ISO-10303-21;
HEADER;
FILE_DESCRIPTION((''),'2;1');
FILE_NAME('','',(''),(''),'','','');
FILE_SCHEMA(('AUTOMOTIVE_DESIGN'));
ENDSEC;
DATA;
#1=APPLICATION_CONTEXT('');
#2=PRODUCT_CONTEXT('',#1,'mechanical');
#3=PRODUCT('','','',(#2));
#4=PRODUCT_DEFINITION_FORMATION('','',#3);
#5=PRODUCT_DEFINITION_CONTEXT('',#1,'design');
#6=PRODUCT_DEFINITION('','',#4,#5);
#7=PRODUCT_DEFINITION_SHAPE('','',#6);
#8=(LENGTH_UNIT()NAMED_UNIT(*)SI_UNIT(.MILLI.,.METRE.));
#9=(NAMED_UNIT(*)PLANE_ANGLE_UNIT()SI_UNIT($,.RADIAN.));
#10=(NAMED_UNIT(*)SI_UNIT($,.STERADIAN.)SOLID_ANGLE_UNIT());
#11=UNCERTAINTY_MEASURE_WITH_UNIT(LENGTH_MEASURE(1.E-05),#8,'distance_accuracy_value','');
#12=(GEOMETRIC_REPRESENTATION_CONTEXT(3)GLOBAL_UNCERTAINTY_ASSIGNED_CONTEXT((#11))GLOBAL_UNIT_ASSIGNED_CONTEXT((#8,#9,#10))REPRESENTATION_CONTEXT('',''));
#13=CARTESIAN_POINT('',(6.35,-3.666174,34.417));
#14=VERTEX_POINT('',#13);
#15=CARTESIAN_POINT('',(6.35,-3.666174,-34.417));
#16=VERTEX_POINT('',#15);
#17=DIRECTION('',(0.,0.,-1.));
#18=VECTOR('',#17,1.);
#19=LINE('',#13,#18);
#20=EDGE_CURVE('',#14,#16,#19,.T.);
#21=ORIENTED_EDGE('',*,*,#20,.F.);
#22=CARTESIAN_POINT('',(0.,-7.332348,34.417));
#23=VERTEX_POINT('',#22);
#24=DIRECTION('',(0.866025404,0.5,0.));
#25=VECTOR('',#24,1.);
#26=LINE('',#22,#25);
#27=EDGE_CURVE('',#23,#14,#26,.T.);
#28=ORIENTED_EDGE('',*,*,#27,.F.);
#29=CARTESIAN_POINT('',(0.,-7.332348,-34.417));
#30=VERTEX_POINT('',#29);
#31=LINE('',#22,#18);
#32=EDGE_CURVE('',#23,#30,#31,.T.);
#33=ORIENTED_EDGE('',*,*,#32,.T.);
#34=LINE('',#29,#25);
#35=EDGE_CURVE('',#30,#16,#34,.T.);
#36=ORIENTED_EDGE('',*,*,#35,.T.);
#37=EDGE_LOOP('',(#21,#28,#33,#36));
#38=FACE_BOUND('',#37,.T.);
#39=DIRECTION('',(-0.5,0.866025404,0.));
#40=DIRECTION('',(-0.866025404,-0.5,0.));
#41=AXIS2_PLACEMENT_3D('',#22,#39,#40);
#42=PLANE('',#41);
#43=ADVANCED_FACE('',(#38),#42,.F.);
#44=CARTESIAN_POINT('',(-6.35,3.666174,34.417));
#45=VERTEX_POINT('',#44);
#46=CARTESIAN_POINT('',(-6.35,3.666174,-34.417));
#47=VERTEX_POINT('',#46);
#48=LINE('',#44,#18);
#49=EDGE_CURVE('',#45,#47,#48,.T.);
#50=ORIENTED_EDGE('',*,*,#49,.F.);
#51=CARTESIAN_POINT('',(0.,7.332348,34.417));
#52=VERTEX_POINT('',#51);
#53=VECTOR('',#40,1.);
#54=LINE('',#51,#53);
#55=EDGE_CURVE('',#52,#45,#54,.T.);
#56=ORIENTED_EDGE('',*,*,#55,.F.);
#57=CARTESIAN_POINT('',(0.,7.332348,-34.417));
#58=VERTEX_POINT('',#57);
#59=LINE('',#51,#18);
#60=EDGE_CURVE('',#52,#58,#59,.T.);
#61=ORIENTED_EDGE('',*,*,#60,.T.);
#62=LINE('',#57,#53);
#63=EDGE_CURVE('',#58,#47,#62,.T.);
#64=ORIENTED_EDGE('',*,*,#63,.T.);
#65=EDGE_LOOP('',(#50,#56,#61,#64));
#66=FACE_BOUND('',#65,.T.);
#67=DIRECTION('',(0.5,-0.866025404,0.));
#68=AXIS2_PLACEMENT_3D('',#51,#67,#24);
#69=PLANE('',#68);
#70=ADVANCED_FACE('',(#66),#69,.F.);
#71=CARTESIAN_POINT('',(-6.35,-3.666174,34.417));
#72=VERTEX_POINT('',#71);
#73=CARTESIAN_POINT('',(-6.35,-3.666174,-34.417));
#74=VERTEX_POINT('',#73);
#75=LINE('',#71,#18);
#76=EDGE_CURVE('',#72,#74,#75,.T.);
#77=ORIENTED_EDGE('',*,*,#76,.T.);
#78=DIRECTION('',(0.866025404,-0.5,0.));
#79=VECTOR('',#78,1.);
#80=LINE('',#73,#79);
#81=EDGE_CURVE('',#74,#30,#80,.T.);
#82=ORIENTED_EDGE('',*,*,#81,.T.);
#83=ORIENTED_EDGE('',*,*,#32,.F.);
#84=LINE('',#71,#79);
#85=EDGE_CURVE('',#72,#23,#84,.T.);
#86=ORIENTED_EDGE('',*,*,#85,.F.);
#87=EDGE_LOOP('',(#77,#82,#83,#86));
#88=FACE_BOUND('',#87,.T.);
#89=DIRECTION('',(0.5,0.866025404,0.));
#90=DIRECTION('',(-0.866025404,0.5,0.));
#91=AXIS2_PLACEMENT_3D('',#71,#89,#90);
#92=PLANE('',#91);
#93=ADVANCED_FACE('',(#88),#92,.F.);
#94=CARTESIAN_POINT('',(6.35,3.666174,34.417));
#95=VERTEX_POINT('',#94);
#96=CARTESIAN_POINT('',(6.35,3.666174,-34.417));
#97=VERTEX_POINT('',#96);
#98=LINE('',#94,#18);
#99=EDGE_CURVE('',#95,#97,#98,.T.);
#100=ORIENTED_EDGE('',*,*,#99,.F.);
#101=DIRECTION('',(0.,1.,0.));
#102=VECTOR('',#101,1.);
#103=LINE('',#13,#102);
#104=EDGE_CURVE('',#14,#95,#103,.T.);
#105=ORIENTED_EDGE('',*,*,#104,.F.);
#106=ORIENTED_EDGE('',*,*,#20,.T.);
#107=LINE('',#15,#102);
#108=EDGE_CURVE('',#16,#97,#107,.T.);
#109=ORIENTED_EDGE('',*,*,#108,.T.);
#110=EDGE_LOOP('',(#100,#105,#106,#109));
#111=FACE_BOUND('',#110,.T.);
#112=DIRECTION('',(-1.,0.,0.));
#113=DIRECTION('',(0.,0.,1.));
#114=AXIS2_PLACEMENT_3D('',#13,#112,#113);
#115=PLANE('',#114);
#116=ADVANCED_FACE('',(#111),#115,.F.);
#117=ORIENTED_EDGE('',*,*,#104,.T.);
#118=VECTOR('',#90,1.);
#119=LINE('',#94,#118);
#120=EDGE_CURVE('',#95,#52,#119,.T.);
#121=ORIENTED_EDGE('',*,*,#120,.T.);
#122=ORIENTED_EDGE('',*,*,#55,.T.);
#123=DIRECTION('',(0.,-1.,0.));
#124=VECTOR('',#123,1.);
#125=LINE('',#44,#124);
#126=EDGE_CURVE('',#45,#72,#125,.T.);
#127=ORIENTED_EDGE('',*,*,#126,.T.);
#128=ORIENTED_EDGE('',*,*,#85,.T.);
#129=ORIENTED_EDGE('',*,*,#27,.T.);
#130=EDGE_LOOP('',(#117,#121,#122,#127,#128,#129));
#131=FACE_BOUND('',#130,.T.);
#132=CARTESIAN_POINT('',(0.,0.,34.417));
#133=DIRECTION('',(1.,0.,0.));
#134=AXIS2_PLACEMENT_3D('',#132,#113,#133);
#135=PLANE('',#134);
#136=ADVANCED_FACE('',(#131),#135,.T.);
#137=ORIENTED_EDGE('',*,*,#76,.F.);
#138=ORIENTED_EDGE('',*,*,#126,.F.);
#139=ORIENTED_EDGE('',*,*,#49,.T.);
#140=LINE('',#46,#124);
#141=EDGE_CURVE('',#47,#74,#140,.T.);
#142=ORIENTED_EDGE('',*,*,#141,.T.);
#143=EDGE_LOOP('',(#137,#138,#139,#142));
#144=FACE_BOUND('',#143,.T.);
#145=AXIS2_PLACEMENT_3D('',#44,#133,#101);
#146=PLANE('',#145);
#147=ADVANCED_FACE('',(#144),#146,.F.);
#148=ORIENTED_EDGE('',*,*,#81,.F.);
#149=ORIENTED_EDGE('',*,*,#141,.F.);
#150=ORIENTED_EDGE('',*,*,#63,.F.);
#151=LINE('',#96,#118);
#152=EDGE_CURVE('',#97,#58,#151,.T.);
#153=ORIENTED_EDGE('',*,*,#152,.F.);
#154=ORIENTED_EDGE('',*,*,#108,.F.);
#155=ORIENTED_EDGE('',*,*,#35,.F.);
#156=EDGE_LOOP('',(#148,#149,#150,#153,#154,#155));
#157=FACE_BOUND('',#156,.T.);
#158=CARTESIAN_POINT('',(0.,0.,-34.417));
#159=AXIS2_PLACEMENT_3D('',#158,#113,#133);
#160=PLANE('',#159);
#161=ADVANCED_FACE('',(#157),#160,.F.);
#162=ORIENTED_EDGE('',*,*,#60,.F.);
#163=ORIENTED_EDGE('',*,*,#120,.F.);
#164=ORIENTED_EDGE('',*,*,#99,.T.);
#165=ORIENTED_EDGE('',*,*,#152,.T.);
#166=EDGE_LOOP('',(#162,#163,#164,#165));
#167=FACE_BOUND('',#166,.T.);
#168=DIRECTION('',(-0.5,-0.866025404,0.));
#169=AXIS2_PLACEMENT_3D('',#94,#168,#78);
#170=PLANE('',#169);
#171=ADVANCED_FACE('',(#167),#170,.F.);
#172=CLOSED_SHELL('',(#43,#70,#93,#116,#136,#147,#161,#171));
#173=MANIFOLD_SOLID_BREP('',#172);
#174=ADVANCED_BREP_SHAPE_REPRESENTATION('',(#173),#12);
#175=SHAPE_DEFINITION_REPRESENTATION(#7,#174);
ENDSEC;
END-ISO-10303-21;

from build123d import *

# Parameters (mm, degrees)
BOSS_EXTRUDE1_DEPTH = 34.417


with BuildPart() as part:
    # Sketch1 → Boss-Extrude1 (new, symmetric)
    with BuildSketch(Plane.XY):
        Polygon((6.35, 3.666174209), (0, 7.332348419), (-6.35, 3.666174209), (-6.35, -3.666174209), (0, -7.332348419), (6.35, -3.666174209), align=None)
    extrude(amount=BOSS_EXTRUDE1_DEPTH, both=True)


solid = part.part
